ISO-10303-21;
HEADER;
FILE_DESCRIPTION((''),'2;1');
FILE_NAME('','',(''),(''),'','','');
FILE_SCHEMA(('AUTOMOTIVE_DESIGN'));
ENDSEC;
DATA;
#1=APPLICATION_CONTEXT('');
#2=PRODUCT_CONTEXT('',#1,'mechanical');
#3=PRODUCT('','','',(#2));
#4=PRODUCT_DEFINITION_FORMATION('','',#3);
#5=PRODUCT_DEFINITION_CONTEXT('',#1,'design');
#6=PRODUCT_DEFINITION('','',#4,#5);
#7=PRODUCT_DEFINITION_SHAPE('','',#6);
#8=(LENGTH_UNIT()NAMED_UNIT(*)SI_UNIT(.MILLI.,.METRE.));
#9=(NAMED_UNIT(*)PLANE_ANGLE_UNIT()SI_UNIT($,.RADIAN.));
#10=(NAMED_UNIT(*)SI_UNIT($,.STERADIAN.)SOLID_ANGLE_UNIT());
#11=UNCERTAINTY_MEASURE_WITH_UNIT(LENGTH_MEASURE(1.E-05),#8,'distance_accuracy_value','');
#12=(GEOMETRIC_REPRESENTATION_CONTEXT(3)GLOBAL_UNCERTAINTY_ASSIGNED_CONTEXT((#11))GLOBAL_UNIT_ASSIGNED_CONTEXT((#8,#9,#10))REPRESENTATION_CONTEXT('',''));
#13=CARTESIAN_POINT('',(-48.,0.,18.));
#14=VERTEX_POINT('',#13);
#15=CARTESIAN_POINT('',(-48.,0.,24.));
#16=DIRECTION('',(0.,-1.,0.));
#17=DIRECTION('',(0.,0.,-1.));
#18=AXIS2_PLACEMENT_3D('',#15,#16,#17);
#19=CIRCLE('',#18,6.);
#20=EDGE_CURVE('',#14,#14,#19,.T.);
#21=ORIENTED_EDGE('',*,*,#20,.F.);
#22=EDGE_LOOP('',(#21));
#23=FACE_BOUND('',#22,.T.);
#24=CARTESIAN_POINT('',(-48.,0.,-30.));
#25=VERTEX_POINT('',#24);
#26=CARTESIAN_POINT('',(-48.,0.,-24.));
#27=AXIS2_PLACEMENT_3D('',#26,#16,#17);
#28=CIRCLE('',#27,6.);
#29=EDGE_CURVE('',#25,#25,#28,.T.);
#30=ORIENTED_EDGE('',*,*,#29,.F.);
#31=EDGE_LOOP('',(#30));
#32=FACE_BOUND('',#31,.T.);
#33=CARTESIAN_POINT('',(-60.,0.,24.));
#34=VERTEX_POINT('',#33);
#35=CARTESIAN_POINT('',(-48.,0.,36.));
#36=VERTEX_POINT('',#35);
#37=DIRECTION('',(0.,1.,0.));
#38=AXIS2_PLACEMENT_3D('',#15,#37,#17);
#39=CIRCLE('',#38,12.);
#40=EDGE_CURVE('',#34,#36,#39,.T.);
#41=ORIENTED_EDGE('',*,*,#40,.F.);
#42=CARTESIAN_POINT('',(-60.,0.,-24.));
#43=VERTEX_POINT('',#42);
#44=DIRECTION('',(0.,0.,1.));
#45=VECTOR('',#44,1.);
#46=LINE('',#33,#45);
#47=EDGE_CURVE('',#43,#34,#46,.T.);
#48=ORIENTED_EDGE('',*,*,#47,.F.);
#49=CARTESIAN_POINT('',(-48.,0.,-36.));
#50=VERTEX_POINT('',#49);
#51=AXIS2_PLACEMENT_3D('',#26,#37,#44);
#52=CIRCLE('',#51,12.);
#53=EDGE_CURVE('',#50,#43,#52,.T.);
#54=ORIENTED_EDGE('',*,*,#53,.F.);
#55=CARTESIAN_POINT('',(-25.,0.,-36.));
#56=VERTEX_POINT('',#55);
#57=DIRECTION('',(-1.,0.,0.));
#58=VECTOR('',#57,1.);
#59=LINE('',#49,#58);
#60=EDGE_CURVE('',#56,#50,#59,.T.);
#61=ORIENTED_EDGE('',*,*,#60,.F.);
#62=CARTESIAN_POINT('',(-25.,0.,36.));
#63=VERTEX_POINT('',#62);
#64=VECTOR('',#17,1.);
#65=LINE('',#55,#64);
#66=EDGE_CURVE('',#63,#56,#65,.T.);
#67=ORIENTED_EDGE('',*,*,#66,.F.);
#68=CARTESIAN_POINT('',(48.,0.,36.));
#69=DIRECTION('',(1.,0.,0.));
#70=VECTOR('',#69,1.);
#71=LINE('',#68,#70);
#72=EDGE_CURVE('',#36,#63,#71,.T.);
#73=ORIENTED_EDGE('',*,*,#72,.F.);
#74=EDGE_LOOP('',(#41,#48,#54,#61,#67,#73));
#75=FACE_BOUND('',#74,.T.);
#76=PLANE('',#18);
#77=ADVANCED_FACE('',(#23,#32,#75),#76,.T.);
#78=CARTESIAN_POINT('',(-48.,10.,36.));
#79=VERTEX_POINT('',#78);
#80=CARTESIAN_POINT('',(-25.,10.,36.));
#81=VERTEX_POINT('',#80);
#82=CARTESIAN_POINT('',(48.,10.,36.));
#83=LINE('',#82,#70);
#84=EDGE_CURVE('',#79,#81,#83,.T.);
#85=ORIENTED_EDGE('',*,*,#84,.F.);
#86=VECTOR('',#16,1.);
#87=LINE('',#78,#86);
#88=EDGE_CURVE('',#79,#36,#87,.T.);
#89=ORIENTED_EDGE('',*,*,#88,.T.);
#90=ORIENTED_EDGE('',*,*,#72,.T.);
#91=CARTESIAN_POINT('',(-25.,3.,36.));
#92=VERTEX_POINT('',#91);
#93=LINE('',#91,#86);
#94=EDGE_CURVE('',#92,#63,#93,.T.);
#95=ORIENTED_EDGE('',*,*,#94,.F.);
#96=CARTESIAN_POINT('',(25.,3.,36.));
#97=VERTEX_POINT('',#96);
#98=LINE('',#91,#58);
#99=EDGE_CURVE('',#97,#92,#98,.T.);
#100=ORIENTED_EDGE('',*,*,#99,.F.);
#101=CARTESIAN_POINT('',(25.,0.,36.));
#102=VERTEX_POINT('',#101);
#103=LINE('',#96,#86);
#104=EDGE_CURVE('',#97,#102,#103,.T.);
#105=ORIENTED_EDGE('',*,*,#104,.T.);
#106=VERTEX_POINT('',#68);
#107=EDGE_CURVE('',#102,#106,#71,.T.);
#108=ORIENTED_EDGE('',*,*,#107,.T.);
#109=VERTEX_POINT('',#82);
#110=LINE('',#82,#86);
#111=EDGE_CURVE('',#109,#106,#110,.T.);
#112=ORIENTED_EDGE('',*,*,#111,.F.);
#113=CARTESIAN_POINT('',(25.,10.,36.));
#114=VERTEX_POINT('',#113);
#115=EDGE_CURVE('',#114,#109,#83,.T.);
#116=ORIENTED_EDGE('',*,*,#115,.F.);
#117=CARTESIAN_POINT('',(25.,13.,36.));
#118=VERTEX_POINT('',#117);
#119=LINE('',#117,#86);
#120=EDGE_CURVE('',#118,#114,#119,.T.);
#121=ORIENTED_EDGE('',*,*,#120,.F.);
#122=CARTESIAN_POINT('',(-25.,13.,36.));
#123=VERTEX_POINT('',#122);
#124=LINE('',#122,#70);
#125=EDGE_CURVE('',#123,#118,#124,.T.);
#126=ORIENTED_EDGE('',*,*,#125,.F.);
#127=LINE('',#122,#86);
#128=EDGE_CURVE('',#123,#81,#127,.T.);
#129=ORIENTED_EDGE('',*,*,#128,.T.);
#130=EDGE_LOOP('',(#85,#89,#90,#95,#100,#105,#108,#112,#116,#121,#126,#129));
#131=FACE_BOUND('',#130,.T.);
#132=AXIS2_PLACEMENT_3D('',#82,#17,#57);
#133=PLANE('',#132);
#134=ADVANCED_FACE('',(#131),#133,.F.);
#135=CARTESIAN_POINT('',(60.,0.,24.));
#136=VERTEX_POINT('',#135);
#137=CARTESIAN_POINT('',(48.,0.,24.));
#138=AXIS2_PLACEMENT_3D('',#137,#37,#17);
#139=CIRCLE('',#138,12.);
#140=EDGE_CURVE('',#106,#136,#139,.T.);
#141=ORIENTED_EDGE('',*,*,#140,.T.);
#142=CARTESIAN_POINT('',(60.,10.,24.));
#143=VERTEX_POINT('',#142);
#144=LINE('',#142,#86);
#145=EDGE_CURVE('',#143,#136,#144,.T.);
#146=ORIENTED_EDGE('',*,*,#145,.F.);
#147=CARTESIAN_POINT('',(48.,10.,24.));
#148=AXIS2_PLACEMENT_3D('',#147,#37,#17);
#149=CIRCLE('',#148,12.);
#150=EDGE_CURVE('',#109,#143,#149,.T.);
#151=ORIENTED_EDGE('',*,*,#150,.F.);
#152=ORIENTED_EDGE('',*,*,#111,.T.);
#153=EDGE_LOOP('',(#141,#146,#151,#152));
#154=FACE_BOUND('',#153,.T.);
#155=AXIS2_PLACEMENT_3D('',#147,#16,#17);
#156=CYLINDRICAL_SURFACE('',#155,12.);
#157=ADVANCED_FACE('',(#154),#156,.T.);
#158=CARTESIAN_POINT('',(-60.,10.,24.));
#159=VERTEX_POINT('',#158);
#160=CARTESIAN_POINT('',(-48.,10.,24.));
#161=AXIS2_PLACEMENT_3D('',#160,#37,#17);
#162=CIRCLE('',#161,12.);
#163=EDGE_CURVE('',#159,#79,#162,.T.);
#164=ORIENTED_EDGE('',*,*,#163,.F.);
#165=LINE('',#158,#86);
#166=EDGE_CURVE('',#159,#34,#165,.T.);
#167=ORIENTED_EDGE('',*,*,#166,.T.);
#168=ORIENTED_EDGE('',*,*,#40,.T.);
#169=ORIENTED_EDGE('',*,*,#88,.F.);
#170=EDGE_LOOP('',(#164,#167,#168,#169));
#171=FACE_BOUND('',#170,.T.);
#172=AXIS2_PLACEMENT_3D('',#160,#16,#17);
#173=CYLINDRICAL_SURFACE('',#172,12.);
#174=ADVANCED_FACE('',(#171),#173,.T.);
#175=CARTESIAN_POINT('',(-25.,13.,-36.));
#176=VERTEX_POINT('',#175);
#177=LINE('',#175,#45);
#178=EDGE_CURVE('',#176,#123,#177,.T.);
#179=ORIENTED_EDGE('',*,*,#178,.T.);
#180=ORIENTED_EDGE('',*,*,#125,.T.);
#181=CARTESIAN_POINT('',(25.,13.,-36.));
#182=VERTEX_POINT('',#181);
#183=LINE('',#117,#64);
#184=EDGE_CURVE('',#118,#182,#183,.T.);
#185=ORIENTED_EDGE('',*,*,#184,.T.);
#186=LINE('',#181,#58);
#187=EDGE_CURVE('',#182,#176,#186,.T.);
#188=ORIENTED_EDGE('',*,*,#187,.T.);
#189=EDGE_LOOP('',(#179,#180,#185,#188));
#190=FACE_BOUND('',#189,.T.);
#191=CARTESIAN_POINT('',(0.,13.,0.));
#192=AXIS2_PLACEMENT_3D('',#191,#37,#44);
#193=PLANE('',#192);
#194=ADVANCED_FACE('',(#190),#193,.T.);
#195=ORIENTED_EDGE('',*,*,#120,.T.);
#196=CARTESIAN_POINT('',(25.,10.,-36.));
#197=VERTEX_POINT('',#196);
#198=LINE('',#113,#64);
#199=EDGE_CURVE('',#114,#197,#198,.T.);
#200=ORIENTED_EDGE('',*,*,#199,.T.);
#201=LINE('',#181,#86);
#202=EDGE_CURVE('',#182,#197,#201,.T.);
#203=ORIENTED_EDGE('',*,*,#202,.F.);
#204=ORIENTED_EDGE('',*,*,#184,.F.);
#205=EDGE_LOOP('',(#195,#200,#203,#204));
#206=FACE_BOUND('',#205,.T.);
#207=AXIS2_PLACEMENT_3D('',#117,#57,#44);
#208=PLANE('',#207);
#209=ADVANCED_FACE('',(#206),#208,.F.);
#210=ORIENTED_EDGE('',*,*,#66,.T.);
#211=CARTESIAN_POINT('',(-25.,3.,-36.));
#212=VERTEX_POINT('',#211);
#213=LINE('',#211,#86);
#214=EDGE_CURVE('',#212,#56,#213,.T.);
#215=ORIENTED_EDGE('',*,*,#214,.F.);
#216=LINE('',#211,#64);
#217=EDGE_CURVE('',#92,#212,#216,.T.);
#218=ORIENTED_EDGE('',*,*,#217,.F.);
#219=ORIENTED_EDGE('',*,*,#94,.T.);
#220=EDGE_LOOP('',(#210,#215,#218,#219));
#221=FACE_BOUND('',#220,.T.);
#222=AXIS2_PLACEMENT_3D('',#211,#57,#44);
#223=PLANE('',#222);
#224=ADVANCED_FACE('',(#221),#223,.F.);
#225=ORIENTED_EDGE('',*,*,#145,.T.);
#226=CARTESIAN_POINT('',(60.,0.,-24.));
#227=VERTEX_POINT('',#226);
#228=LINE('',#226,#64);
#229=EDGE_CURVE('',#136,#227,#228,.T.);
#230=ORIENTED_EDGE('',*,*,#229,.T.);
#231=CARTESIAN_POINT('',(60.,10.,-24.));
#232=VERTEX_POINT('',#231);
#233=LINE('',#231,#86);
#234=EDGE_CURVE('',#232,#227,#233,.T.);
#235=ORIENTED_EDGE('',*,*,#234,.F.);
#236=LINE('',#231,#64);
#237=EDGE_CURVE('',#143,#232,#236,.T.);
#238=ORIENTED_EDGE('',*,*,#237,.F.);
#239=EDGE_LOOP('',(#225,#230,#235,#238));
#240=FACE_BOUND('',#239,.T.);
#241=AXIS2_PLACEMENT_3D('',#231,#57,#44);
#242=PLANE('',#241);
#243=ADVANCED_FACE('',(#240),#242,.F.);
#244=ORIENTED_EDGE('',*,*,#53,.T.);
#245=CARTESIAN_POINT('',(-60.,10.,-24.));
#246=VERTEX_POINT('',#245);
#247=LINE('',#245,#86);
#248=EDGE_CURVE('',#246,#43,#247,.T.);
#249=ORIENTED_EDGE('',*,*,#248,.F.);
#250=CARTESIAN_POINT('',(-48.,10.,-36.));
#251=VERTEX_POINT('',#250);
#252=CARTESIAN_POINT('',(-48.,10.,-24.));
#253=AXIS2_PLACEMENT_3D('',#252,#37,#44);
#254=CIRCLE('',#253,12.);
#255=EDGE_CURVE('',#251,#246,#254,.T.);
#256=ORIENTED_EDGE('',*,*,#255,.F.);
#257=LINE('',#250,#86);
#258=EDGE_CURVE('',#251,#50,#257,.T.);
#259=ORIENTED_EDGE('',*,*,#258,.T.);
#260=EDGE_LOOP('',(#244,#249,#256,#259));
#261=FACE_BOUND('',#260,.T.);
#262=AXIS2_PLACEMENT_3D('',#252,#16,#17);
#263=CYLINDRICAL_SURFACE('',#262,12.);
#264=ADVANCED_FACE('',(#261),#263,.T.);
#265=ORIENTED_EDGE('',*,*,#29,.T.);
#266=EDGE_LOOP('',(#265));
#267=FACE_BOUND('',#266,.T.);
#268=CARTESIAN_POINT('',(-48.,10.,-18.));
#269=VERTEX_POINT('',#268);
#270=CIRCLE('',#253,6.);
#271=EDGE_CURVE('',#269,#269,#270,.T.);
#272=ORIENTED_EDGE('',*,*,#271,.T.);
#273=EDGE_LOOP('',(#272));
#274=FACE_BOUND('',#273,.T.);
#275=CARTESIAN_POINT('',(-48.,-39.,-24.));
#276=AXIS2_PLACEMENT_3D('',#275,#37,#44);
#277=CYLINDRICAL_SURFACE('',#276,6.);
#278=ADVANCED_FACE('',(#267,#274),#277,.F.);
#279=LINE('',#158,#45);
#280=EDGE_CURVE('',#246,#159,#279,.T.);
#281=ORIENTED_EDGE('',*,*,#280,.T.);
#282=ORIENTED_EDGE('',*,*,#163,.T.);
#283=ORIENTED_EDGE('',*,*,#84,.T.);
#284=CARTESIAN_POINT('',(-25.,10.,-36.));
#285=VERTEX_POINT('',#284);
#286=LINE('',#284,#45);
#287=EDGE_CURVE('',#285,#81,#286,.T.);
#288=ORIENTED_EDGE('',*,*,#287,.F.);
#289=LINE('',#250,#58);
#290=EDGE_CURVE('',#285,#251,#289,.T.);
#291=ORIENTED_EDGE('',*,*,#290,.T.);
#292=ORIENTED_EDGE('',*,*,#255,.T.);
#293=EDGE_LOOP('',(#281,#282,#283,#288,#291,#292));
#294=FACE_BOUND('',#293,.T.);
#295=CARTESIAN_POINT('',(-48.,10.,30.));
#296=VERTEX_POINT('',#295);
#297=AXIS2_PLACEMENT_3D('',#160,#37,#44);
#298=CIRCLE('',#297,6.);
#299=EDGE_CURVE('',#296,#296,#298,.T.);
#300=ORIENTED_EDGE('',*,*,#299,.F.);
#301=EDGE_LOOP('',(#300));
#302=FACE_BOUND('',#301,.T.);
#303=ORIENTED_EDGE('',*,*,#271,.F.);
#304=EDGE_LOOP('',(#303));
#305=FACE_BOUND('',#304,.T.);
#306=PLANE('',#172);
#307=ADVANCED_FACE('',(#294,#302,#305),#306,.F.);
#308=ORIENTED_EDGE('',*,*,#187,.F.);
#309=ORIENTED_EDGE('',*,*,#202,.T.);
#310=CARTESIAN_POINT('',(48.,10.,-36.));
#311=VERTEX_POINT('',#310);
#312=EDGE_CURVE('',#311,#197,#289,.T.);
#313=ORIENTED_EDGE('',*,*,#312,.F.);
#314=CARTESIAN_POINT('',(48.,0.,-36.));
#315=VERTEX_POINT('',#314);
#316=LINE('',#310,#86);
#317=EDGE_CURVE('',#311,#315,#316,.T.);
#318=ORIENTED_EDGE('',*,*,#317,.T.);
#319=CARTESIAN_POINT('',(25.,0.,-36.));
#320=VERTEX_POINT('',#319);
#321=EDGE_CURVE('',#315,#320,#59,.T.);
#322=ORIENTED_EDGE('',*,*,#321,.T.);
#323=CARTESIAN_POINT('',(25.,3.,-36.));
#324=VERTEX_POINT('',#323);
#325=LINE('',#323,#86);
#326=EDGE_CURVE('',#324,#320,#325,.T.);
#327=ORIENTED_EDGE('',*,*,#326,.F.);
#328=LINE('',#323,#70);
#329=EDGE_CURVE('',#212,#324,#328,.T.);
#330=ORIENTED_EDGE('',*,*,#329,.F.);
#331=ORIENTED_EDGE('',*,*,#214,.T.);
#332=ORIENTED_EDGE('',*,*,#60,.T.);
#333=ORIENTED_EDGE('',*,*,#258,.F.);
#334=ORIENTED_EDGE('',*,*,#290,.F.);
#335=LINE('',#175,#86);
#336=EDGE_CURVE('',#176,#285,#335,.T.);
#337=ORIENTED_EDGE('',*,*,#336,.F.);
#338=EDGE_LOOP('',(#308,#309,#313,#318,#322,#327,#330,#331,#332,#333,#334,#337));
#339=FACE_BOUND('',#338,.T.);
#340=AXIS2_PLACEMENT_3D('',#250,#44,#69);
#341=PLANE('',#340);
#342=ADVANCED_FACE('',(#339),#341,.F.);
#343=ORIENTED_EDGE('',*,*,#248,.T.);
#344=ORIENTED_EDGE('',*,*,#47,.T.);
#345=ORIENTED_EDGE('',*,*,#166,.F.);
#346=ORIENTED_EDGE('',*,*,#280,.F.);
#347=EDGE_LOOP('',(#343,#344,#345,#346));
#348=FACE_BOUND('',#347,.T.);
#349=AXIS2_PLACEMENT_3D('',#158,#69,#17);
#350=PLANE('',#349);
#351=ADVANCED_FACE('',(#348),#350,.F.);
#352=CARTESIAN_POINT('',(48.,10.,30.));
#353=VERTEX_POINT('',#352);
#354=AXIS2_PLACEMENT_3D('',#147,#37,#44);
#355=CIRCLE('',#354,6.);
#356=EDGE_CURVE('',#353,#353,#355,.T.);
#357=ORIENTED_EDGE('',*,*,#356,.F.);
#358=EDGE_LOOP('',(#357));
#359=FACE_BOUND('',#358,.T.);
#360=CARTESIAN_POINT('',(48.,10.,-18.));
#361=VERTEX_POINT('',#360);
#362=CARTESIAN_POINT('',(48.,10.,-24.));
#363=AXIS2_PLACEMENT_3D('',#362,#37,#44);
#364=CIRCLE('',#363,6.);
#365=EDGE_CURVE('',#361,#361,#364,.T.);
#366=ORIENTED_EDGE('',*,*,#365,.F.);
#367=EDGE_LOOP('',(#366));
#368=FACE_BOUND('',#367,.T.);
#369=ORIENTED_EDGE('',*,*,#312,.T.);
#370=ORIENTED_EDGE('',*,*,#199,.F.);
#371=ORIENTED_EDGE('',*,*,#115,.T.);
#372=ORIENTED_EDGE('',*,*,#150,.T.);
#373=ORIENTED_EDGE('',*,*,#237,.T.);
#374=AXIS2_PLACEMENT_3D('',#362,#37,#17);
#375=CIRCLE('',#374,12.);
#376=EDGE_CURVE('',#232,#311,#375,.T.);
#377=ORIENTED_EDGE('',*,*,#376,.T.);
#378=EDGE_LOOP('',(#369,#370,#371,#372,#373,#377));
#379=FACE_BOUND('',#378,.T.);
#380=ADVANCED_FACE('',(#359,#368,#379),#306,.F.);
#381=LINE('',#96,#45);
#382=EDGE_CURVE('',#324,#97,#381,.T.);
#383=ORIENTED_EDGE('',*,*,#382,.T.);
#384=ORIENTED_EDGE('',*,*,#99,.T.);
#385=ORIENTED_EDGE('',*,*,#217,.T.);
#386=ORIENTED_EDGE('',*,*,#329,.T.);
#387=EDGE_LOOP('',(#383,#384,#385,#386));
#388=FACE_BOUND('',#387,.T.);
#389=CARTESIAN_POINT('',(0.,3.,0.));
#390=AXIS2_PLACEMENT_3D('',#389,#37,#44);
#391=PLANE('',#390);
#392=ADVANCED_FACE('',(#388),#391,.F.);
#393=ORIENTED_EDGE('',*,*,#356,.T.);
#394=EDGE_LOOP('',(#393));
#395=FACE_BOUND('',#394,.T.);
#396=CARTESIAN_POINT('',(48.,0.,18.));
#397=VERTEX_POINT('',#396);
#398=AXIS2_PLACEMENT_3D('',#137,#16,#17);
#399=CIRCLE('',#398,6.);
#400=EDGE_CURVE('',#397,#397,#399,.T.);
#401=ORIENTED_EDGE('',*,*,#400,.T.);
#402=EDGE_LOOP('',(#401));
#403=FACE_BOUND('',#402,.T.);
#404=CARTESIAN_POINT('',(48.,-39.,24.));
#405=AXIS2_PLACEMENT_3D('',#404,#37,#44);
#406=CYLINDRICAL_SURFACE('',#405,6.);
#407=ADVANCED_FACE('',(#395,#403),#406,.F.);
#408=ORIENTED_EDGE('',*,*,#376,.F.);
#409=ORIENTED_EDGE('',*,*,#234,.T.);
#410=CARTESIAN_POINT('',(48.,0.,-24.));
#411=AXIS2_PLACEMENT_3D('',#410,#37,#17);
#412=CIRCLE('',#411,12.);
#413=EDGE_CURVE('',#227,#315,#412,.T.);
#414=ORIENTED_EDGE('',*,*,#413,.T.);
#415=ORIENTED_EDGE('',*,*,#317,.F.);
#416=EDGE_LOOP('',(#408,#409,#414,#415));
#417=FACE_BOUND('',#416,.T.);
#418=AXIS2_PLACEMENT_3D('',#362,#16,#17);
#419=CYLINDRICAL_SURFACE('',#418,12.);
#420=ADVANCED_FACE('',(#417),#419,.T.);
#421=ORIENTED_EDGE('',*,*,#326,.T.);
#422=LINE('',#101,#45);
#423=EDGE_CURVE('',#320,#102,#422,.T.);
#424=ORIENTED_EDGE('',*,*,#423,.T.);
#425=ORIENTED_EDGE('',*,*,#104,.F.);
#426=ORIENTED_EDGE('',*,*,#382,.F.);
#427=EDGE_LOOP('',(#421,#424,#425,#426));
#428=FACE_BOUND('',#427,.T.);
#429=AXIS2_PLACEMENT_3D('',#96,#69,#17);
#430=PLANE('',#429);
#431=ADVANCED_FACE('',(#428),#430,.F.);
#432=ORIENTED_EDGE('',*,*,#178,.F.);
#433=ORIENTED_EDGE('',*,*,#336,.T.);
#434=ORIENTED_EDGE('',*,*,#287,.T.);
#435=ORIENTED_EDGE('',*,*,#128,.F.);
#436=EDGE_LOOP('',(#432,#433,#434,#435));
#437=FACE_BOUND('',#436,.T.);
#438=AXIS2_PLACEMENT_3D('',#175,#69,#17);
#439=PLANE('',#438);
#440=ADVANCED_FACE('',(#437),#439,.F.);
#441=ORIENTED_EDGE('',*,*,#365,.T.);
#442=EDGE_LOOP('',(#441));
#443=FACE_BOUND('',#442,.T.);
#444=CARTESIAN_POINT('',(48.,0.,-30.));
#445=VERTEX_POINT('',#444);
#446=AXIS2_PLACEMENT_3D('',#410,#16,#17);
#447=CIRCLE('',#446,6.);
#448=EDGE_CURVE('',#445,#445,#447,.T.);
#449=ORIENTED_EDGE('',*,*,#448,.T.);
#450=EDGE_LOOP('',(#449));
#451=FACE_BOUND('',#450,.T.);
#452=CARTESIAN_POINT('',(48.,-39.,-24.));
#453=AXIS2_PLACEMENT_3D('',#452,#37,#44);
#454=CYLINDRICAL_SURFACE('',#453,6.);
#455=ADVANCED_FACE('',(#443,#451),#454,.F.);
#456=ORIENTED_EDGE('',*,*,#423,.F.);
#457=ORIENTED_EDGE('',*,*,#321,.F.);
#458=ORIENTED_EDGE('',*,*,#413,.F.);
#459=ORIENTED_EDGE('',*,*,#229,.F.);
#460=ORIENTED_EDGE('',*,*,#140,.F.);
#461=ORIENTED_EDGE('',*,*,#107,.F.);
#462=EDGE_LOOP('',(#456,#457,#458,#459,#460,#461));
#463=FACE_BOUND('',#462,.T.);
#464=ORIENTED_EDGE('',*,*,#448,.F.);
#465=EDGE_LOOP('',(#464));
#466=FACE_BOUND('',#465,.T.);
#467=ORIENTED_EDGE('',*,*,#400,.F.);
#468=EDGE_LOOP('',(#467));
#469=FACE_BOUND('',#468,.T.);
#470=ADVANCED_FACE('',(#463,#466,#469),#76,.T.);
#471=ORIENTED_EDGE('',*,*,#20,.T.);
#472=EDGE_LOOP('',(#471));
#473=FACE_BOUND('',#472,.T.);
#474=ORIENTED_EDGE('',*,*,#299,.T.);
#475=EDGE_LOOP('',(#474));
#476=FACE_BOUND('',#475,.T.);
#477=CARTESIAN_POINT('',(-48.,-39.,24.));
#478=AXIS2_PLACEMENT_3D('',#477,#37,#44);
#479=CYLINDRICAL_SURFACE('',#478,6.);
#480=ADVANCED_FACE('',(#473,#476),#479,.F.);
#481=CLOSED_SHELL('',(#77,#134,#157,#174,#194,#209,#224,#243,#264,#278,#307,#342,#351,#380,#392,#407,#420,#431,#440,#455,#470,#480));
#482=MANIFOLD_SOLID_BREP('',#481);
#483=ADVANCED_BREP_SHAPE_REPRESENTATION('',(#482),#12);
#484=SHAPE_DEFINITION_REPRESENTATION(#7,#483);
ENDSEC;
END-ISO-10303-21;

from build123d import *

# Parameters (mm, degrees)
BOSS_EXTRUDE1_DEPTH = 10
SKETCH2_W           = 50
SKETCH2_H           = 72
BOSS_EXTRUDE2_DEPTH = 3
SKETCH3_W           = 50
SKETCH3_H           = 72
CUT_EXTRUDE1_DEPTH  = 3
SKETCH4_R           = 6
CUT_EXTRUDE3_DEPTH  = 49


with BuildPart() as part:
    # Sketch1 → Boss-Extrude1 (new body)
    with BuildSketch(Plane(origin=(0, 0, 0), x_dir=(1, 0, 0), z_dir=(0, 1, 0))):
        with BuildLine():
            Line((-48, 36), (48, 36))
            ThreePointArc((48, 36), (56.485281374, 32.485281374), (60, 24))
            Line((60, 24), (60, -24))
            ThreePointArc((60, -24), (56.485281374, -32.485281374), (48, -36))
            Line((48, -36), (-48, -36))
            ThreePointArc((-48, -36), (-56.485281374, -32.485281374), (-60, -24))
            Line((-60, -24), (-60, 24))
            ThreePointArc((-60, 24), (-56.485281374, 32.485281374), (-48, 36))
        make_face()
    extrude(amount=BOSS_EXTRUDE1_DEPTH)

    # Sketch2 → Boss-Extrude2 (add)
    with BuildSketch(Plane(origin=(0, 10, 0), x_dir=(1, 0, 0), z_dir=(0, 1, 0))):
        Rectangle(SKETCH2_W, SKETCH2_H)
    extrude(amount=BOSS_EXTRUDE2_DEPTH)

    # Sketch3 → Cut-Extrude1 (cut)
    with BuildSketch(Plane.XZ):
        Rectangle(SKETCH3_W, SKETCH3_H)
    extrude(amount=-CUT_EXTRUDE1_DEPTH, mode=Mode.SUBTRACT)

    # Sketch4 → Cut-Extrude3 (cut)
    with BuildSketch(Plane(origin=(0, 10, 0), x_dir=(1, 0, 0), z_dir=(0, 1, 0))):
        with Locations(Location((48, 24, 0), (0, 0, 270))):
            Circle(SKETCH4_R)
        with Locations(Location((48, -24, 0), (0, 0, 270))):
            Circle(SKETCH4_R)
        with Locations(Location((-48, -24, 0), (0, 0, 270))):
            Circle(SKETCH4_R)
        with Locations(Location((-48, 24, 0), (0, 0, 270))):
            Circle(SKETCH4_R)
    extrude(amount=-CUT_EXTRUDE3_DEPTH, mode=Mode.SUBTRACT)


solid = part.part
